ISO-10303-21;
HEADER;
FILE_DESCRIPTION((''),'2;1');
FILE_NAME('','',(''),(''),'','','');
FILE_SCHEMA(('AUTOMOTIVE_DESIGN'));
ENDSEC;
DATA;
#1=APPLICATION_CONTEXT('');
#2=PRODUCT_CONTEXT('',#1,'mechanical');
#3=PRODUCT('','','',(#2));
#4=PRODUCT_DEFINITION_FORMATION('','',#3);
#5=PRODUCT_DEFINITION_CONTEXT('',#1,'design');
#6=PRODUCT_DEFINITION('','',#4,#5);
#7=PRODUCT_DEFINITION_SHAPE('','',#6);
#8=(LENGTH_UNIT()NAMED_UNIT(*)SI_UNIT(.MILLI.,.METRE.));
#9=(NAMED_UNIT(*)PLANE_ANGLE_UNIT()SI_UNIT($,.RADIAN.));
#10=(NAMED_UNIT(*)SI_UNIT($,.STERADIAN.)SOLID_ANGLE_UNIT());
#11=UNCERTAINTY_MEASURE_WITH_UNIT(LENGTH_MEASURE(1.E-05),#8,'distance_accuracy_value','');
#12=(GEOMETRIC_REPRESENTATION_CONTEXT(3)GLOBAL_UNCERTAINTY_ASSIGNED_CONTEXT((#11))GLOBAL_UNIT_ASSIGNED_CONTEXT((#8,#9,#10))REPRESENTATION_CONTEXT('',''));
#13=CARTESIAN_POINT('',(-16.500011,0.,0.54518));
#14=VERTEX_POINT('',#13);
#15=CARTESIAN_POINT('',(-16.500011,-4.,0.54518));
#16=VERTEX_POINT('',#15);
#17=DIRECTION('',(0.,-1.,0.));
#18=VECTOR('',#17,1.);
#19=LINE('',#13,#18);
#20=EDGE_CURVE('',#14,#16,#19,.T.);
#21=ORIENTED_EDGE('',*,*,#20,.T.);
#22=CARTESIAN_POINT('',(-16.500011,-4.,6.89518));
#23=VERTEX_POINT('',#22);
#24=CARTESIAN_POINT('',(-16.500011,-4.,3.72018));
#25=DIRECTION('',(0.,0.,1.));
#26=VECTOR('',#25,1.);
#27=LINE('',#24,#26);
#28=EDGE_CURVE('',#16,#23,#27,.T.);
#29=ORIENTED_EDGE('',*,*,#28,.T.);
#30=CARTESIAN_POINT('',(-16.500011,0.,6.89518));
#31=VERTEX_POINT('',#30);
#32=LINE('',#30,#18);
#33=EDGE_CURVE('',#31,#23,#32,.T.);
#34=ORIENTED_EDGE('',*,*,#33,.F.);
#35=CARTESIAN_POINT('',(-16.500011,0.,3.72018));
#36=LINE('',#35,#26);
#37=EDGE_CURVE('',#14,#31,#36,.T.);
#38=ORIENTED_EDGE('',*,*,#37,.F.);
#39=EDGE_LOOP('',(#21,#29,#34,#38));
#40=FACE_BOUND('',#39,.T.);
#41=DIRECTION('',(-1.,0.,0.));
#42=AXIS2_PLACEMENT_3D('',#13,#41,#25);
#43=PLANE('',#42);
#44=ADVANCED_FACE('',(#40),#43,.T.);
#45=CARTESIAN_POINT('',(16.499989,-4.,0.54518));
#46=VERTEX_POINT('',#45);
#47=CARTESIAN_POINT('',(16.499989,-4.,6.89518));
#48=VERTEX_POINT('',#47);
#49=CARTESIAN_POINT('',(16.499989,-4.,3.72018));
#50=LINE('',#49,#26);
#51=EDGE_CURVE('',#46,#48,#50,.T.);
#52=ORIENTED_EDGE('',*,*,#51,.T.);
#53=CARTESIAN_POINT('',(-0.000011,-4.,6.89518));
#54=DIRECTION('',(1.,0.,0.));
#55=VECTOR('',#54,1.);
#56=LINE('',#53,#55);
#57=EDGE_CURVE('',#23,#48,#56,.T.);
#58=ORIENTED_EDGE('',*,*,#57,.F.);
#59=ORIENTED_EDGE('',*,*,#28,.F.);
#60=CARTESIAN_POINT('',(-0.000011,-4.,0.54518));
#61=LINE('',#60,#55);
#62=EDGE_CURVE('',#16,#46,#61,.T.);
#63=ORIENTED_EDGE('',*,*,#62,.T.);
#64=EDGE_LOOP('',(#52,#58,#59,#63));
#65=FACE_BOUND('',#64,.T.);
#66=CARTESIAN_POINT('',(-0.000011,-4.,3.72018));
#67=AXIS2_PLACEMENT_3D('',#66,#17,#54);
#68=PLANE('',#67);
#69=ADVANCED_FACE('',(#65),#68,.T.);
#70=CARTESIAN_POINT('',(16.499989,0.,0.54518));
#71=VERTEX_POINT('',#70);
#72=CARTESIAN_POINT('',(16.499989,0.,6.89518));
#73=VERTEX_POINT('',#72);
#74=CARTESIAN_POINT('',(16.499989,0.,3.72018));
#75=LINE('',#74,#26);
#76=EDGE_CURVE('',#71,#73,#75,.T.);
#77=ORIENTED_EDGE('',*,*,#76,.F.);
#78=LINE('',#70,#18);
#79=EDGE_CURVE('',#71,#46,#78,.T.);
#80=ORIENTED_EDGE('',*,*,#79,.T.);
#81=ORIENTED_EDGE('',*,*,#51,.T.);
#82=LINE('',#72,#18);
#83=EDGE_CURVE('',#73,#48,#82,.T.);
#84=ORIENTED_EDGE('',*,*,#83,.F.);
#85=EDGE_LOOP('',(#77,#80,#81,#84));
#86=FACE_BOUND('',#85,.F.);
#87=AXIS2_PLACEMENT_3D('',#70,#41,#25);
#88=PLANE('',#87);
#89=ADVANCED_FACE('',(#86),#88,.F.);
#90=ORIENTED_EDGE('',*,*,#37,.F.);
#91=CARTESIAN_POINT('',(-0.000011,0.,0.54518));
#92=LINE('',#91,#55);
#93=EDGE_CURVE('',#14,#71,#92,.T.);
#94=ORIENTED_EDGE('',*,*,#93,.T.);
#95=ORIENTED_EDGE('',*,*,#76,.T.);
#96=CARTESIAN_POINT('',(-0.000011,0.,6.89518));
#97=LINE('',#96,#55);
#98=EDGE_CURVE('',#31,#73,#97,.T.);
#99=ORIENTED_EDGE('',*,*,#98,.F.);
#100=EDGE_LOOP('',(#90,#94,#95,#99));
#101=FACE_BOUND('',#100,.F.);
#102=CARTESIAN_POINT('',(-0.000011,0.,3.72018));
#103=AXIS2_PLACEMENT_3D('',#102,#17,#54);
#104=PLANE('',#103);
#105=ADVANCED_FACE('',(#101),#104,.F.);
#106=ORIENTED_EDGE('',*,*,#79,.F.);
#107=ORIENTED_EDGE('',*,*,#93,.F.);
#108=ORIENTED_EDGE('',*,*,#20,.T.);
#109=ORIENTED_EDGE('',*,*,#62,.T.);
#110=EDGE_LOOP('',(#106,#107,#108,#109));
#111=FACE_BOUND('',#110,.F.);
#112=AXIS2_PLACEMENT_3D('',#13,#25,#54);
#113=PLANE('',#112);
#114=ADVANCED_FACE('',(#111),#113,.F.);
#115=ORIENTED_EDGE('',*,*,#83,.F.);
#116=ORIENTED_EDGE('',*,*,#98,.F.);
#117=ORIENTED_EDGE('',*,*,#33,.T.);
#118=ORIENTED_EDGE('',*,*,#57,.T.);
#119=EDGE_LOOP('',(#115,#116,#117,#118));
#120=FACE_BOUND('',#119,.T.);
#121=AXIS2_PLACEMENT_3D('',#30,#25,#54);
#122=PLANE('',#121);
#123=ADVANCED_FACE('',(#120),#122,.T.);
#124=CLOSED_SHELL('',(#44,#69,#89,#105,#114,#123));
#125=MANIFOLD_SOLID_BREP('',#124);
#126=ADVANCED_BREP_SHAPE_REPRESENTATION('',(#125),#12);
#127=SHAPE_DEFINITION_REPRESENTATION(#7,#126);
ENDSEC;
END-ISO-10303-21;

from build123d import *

# Parameters (mm, degrees)
F0_W     = 33
F0_H     = 6.35
F1_DEPTH = 4


with BuildPart() as f1:
    # F0 (on Front) → F1 (new body)
    with BuildSketch(Plane.XZ):
        with Locations((-1.1e-05, 3.72018)):
            Rectangle(F0_W, F0_H)
    extrude(amount=F1_DEPTH)


solid = f1.part
